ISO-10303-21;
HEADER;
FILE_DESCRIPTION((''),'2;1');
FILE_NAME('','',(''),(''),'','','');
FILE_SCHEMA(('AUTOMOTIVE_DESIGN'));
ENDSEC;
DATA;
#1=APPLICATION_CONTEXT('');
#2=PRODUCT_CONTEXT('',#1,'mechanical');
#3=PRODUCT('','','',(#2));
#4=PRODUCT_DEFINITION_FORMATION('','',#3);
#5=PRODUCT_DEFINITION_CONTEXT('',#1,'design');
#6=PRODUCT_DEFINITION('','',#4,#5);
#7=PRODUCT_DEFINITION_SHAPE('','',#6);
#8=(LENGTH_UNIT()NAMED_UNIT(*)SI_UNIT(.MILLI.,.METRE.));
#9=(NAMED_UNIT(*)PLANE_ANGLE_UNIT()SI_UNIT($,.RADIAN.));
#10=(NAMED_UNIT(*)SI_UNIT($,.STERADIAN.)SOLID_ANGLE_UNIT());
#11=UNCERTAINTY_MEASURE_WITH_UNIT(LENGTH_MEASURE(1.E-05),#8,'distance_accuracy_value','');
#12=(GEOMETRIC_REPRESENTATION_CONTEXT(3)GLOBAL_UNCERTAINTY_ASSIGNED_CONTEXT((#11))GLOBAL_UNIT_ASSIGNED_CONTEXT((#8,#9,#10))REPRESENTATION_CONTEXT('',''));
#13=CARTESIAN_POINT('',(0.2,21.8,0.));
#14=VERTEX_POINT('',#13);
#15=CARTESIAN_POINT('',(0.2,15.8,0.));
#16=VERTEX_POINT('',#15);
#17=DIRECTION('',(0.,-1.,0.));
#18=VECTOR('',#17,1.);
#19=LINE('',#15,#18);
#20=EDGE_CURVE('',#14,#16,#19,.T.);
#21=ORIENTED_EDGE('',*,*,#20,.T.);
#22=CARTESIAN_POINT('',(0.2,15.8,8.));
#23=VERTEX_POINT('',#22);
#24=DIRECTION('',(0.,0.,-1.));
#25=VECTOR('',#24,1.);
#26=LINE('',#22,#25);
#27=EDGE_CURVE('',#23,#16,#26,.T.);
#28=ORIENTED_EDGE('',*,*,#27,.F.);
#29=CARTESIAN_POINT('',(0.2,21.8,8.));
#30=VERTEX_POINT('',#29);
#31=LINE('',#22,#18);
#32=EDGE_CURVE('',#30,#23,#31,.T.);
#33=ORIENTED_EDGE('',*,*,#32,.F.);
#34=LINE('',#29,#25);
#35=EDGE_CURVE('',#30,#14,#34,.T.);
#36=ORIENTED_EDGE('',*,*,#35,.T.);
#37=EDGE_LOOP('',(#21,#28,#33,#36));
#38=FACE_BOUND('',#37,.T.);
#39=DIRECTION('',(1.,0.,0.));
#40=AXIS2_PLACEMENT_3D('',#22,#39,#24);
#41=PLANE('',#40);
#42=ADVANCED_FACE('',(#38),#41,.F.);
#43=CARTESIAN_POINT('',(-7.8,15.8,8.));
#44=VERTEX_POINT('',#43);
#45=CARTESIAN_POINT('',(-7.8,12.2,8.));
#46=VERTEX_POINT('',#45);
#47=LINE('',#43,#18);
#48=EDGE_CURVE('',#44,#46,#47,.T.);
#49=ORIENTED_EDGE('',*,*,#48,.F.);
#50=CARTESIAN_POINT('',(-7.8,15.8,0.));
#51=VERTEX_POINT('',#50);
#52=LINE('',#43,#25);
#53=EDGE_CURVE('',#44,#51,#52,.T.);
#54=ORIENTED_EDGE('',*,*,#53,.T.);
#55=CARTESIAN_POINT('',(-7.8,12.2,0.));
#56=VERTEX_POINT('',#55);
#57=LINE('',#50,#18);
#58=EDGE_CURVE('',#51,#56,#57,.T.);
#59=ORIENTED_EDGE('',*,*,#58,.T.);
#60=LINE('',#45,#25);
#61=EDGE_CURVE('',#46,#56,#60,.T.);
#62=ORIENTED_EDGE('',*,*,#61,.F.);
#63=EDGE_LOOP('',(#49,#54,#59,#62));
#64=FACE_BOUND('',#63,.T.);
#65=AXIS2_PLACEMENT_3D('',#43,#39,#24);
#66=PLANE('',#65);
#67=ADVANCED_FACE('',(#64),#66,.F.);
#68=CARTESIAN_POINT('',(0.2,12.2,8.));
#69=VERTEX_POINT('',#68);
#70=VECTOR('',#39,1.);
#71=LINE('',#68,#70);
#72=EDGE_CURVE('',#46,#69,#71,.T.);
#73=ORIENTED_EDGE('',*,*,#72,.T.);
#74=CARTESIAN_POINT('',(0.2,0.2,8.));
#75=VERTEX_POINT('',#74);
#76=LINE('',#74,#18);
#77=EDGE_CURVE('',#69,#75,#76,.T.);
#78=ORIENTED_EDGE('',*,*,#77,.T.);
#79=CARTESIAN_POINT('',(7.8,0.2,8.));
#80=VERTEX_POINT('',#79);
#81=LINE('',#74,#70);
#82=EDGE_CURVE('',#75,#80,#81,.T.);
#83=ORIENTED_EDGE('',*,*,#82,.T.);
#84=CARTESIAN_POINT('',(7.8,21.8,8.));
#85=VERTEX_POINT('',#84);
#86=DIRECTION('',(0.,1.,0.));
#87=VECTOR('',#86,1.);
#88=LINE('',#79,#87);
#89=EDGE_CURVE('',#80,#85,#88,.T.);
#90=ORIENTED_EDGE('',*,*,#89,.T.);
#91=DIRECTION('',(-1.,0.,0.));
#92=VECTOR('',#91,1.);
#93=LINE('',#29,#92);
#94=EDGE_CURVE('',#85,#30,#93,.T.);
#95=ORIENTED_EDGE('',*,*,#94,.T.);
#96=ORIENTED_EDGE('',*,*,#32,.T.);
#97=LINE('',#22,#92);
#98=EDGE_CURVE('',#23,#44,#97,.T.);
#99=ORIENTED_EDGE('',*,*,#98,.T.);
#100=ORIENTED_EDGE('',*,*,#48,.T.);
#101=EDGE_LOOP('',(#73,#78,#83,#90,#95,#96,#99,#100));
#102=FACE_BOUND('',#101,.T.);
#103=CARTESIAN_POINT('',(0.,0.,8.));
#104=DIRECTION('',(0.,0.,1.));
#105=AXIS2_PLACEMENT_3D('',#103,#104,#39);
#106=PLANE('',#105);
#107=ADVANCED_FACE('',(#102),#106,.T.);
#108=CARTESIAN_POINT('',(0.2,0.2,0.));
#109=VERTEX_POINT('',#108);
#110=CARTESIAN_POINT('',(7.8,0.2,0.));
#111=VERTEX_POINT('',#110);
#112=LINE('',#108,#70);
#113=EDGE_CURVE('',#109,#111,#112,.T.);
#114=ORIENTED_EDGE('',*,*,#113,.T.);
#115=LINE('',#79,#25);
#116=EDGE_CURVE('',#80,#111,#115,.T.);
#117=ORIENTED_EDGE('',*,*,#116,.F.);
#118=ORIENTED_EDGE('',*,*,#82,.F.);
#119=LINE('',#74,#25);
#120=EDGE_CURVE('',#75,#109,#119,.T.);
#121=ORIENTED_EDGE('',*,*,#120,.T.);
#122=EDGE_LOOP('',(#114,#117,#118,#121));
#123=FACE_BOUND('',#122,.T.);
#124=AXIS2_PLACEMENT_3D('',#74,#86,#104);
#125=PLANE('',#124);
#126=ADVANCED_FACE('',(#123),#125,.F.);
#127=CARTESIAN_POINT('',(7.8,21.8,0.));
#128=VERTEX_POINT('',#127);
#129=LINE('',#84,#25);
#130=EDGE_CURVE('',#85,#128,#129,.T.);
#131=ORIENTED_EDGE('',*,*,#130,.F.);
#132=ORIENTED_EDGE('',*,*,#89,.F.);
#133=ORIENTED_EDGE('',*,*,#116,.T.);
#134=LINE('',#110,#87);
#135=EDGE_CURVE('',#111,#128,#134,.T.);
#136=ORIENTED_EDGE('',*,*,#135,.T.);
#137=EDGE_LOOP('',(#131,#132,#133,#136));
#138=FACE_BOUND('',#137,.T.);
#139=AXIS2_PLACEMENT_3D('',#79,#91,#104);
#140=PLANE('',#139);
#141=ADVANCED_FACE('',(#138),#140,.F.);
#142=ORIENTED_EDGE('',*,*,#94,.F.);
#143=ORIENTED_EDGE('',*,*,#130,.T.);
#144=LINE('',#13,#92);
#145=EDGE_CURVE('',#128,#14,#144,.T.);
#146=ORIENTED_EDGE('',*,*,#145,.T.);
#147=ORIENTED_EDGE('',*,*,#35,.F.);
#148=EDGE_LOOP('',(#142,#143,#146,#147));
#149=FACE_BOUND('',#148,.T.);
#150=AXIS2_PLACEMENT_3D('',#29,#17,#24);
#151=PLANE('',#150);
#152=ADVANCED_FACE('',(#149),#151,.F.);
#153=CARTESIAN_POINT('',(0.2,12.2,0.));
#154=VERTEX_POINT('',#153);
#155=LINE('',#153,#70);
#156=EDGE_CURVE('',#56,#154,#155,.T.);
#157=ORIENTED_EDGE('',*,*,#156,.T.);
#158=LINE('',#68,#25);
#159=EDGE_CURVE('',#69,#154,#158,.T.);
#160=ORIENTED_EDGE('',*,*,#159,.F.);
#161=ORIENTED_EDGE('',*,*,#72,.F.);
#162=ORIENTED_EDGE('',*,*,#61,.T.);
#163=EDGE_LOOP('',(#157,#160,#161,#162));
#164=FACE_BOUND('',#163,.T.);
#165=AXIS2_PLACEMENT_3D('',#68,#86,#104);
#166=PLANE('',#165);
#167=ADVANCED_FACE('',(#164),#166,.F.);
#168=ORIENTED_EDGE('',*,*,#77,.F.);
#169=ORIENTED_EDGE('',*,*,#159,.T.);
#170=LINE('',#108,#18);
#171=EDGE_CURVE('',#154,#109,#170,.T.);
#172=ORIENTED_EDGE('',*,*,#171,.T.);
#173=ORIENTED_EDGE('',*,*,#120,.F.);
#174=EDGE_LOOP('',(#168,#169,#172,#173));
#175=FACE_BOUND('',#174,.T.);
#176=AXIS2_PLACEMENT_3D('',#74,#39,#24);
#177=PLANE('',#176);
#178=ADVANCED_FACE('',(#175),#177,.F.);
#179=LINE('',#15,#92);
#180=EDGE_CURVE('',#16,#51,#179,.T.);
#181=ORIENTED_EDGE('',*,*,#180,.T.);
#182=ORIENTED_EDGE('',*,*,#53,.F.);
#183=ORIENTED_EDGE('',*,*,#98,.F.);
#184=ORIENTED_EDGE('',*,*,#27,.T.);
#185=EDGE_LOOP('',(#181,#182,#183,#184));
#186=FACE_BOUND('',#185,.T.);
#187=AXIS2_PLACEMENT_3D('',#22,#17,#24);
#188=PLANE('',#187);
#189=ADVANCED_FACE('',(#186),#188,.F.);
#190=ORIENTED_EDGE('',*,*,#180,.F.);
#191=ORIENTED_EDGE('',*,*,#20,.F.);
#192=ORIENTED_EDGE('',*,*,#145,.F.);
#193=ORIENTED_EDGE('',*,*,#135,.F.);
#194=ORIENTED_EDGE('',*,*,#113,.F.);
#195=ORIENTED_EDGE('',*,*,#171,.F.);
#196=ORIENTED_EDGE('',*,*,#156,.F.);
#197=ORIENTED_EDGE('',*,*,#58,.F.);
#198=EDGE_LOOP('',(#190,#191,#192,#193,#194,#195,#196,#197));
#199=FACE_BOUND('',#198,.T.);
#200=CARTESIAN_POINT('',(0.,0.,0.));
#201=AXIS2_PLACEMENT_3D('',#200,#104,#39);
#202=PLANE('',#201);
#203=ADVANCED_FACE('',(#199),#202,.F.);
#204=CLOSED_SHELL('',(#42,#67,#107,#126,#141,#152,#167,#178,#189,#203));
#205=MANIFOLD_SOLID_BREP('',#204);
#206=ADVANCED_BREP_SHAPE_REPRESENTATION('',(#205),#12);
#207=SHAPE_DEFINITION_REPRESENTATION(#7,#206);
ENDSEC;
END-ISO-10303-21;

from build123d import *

# Parameters (mm, degrees)
BOSS_EXTRUDE1_DEPTH = 8


with BuildPart() as part:
    # Sketch1 → Boss-Extrude1 (new body)
    with BuildSketch(Plane.XY):
        Polygon((0.2, 0.2), (7.8, 0.2), (7.8, 21.8), (0.2, 21.8), (0.2, 15.8), (-7.8, 15.8), (-7.8, 12.2), (0.2, 12.2), align=None)
    extrude(amount=BOSS_EXTRUDE1_DEPTH)


solid = part.part
